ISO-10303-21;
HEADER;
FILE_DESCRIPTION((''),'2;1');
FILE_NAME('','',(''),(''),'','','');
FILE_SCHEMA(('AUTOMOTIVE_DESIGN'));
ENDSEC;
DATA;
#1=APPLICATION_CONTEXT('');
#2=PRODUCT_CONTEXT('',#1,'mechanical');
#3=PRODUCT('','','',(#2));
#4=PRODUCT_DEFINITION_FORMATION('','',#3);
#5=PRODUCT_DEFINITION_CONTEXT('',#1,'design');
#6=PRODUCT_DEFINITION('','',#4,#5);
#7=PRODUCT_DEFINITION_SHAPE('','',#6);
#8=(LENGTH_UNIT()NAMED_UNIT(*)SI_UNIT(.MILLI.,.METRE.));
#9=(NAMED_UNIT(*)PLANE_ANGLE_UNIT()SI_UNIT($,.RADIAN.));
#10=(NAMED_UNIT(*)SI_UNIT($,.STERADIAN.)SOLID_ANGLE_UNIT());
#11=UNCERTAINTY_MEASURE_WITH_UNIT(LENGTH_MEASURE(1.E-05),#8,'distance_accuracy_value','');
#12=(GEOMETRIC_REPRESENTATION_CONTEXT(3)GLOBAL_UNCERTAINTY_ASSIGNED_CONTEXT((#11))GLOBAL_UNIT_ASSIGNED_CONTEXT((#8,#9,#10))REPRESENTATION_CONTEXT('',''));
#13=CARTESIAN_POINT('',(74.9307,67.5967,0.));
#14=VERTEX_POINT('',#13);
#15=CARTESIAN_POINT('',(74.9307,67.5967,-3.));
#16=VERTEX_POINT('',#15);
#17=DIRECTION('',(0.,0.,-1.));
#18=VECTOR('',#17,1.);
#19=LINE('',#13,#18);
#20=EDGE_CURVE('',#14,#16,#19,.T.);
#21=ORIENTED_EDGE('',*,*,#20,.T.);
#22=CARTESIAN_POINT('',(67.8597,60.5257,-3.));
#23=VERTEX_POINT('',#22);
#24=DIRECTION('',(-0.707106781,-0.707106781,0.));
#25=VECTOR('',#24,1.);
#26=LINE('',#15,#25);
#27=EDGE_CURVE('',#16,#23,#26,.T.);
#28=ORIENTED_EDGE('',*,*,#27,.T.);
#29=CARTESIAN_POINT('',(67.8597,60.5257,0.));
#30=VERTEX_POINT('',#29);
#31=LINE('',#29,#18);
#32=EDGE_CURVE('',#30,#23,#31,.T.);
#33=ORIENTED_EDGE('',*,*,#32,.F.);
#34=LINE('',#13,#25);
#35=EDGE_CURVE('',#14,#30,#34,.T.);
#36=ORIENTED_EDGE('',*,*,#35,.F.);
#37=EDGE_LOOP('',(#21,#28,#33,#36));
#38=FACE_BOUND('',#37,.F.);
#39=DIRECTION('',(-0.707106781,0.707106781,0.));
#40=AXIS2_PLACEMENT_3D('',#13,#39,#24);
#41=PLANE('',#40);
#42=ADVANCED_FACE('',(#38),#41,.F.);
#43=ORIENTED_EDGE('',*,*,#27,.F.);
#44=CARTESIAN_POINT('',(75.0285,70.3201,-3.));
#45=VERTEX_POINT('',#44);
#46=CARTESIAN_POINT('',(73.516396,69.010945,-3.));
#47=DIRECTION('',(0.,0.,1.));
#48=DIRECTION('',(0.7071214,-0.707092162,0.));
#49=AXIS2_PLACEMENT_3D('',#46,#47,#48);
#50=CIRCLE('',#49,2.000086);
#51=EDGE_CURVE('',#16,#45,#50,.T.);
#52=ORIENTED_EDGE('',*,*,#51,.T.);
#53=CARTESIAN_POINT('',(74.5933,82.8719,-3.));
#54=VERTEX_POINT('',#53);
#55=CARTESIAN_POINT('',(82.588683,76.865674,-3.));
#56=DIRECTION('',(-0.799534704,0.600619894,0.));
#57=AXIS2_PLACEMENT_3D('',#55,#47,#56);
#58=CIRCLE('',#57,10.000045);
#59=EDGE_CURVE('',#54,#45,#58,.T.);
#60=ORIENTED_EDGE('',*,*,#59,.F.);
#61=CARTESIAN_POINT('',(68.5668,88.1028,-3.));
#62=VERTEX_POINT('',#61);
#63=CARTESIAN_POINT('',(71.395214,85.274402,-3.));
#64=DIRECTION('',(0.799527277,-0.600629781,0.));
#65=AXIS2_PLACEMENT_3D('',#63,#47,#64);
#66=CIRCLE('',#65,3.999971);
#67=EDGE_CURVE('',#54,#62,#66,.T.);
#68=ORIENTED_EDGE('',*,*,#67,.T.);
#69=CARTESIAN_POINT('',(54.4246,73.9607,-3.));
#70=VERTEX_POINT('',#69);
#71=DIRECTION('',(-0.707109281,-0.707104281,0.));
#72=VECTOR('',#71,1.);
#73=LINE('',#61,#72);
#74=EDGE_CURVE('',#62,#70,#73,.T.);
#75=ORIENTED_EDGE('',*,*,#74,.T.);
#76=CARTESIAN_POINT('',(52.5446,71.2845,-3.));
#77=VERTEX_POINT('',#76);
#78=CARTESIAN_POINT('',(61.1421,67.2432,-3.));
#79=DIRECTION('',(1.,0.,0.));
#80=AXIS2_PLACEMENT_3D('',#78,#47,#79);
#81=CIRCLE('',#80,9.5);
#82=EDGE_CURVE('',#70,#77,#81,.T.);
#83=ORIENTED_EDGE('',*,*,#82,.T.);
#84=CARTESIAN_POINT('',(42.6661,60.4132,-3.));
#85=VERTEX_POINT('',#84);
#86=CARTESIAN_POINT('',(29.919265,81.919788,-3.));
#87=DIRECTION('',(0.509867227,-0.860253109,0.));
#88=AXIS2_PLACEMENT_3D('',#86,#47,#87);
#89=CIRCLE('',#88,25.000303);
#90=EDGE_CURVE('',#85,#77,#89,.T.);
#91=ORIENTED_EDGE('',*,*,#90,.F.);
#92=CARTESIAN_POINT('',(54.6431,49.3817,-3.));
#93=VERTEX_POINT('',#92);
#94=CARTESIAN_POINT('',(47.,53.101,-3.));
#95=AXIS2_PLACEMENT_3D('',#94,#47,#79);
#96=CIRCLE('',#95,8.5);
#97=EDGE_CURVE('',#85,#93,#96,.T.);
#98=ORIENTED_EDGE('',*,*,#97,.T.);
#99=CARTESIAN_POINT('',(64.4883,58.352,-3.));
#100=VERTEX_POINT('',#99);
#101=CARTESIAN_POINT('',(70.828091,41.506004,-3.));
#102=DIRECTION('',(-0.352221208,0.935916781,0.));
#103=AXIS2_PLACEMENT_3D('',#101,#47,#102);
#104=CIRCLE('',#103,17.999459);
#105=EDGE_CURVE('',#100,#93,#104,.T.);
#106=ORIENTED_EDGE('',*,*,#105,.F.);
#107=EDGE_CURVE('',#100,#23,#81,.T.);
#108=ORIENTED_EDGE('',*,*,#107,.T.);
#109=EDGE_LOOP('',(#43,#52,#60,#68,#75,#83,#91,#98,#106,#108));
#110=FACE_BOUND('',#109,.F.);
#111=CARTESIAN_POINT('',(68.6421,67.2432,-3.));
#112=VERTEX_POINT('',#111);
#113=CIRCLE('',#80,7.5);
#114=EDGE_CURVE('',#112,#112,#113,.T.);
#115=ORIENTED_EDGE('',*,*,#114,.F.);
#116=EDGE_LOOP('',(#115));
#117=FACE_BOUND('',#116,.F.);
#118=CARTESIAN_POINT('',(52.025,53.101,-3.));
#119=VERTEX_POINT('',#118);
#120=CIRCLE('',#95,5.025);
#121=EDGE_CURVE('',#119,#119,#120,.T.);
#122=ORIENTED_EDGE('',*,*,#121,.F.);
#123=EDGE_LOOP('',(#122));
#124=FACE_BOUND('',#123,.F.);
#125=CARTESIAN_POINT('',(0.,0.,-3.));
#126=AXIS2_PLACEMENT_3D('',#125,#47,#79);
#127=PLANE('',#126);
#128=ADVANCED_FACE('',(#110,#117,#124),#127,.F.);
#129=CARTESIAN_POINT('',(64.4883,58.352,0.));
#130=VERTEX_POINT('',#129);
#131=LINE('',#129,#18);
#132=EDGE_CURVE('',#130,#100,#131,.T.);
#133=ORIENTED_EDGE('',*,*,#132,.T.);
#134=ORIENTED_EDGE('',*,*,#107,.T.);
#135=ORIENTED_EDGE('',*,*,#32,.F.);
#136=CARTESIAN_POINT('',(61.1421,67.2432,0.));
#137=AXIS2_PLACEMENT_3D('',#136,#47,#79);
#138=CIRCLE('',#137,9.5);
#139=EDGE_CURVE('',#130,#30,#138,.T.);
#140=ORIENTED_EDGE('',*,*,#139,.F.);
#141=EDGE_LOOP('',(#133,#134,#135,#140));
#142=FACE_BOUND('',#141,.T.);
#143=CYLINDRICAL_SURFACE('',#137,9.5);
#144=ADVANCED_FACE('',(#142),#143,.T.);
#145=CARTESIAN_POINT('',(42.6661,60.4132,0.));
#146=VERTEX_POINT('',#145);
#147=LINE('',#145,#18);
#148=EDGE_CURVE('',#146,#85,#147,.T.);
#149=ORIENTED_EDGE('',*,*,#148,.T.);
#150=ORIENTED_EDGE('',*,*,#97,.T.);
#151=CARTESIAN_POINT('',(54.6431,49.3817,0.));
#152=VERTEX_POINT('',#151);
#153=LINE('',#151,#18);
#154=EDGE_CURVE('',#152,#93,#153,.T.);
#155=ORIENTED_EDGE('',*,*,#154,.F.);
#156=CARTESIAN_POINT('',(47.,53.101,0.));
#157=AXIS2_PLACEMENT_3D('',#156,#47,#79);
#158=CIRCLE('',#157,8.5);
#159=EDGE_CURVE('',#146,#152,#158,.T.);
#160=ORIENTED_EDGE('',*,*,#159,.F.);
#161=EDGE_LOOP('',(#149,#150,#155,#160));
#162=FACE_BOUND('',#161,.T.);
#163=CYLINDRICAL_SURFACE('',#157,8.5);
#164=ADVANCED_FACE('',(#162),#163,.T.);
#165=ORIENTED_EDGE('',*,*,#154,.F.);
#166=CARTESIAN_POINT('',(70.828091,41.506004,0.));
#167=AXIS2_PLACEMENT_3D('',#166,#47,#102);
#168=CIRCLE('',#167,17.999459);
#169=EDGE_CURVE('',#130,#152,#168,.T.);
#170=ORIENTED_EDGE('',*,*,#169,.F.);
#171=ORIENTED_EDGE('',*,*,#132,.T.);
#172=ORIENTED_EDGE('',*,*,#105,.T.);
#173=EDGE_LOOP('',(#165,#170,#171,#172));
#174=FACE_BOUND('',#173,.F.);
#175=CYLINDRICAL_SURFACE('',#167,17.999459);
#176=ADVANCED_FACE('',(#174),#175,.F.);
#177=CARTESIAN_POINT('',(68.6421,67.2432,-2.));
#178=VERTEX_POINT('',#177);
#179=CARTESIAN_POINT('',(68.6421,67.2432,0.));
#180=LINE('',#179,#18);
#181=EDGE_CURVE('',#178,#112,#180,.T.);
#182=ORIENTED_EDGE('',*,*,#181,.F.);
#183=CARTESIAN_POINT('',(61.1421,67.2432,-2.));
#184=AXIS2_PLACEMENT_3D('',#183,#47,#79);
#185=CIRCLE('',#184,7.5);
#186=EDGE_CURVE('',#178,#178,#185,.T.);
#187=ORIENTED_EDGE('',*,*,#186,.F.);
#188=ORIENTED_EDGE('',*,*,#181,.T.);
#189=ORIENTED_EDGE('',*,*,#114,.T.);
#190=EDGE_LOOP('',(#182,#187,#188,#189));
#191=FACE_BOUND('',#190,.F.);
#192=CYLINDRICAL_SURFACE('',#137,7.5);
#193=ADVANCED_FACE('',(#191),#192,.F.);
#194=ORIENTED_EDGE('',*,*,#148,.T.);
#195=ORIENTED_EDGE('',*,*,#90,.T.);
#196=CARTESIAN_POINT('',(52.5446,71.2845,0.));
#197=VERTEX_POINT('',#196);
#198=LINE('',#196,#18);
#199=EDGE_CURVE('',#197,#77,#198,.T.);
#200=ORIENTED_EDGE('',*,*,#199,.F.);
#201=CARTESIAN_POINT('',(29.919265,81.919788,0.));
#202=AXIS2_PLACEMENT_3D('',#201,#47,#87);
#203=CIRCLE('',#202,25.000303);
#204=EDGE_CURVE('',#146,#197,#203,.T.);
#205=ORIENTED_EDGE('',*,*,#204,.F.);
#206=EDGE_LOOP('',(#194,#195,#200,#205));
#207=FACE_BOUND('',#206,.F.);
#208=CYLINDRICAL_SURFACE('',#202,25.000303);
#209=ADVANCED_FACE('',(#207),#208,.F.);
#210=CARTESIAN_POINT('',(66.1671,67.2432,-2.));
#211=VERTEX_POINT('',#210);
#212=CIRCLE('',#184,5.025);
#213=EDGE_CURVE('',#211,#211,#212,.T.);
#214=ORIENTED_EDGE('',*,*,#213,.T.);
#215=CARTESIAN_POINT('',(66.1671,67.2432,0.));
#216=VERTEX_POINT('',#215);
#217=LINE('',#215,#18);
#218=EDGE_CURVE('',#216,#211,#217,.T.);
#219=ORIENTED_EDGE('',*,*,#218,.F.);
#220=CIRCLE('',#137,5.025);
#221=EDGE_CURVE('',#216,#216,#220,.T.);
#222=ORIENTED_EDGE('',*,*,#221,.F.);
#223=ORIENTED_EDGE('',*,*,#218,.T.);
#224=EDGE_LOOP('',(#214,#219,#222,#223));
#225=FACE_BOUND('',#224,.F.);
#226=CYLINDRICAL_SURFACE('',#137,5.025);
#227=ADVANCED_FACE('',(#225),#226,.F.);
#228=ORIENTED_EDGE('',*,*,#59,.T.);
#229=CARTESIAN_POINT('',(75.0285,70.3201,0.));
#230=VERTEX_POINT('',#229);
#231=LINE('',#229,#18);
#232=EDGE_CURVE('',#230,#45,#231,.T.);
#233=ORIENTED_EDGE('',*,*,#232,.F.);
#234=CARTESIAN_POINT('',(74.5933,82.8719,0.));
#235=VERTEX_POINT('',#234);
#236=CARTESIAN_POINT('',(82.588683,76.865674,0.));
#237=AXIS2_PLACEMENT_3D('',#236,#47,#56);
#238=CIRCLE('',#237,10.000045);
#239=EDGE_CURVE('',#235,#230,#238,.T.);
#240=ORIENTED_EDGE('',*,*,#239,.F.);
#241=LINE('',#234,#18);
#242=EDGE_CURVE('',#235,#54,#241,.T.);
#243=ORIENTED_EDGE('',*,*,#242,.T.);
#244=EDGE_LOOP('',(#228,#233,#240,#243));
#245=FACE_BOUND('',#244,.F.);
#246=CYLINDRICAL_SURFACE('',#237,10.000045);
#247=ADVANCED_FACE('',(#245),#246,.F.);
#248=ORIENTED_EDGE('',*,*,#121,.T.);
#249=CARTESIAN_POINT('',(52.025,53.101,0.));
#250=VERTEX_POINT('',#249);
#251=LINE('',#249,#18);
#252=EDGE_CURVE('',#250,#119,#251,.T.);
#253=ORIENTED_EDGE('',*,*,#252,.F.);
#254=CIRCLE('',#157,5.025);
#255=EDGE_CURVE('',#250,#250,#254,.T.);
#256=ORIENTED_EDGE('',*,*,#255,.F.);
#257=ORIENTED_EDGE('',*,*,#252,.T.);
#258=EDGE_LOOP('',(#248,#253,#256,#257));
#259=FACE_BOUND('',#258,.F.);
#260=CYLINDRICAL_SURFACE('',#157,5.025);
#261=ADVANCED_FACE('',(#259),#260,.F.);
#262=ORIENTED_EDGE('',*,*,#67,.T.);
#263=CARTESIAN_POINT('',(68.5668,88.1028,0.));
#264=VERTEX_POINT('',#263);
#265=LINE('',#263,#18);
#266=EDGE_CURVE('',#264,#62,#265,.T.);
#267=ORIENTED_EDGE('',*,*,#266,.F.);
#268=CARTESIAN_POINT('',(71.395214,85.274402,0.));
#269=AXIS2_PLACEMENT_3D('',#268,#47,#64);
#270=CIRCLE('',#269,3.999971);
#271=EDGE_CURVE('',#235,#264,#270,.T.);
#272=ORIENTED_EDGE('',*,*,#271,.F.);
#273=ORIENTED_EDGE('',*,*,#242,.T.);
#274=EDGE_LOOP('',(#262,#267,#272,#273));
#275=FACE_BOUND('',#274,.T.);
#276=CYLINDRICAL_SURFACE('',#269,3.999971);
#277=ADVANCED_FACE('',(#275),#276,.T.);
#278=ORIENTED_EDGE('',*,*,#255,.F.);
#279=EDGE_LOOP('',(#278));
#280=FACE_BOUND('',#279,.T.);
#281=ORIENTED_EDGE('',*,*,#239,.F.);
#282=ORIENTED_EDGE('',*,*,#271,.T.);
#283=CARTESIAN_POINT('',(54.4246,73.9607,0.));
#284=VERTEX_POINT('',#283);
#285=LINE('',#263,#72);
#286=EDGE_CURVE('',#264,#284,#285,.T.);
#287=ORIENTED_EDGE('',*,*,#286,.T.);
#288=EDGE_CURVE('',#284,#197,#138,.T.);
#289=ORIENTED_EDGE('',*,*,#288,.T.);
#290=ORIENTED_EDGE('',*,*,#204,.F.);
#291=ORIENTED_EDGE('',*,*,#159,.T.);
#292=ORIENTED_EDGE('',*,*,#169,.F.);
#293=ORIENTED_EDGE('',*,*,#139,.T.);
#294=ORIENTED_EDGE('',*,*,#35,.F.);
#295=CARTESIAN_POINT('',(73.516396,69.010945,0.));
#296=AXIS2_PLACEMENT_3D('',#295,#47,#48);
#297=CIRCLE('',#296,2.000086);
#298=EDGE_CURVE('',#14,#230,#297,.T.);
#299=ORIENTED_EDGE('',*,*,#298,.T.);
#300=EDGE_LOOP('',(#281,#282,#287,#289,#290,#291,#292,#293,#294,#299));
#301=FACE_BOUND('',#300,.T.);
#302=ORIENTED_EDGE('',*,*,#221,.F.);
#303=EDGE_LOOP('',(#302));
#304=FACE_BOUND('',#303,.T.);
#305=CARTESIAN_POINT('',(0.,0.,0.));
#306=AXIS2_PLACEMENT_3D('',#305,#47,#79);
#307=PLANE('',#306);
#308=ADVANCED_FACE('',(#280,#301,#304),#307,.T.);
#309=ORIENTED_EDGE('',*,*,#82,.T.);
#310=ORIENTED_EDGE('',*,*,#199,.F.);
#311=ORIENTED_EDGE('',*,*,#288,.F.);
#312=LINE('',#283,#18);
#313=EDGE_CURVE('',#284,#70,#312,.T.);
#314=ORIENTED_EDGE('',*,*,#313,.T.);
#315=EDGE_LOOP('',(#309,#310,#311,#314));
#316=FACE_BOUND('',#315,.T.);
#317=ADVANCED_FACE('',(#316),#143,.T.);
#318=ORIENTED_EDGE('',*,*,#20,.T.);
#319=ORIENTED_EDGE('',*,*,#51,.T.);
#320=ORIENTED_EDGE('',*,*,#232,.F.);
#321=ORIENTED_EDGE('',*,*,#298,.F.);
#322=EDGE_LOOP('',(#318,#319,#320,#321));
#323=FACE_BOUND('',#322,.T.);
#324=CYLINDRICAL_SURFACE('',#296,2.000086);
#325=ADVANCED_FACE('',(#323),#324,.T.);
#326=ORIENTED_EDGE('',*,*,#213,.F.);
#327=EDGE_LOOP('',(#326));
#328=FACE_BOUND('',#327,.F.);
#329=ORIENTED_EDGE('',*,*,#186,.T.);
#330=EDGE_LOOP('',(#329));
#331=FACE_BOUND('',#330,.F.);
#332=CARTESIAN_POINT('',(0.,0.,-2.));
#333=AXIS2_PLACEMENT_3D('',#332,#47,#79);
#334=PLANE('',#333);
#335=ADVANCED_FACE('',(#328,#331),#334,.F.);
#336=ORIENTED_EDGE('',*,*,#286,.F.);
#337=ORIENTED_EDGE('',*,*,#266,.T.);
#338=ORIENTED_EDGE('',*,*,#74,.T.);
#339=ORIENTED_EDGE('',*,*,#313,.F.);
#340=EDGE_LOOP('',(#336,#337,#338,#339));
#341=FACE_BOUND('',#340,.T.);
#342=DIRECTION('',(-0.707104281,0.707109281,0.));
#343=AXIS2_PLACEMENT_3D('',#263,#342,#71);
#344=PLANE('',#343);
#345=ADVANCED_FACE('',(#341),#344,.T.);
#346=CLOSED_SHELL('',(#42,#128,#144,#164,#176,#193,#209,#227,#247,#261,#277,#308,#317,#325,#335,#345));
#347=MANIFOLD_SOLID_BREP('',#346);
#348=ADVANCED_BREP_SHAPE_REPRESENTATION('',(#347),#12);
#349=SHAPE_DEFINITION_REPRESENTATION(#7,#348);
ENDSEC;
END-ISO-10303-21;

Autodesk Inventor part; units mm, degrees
ref_plane "YZ Plane" through (0, 0, 0) normal (1, 0, 0) x (0, 1, 0)
ref_plane "XZ Plane" through (0, 0, 0) normal (0, 1, 0) x (-1, 0, 0)
ref_plane "XY Plane" through (0, 0, 0) normal (0, 0, 1) x (1, 0, 0)
sketch "Sketch1" plane through (0, 0, 0) normal (0, 0, 1) x (1, 0, 0)
  circle A0 centre (47, 53.101) radius 5.025
  line L0 (47, 53.101) -> (61.1421, 67.2432) construction
  circle A1 centre (61.1421, 67.2432) radius 5.025
  circle A2 centre (61.1421, 67.2432) radius 9.5
  circle A3 centre (47, 53.101) radius 8.5
  line L1 (68.5668, 88.1028) -> (54.4246, 73.9607)
  arc A4 (74.5933, 82.8719) -> (68.5668, 88.1028) centre (71.3952, 85.2744) ccw
  arc A5 (74.5933, 82.8719) -> (75.0285, 70.3201) centre (82.5886, 76.8657) ccw
  arc A6 (74.9307, 67.5967) -> (75.0285, 70.3201) centre (73.5165, 69.0109) ccw
  line L2 (74.9307, 67.5967) -> (67.8597, 60.5257)
  circle A7 centre (47, 53.101) radius 7.5
  circle A8 centre (61.1421, 67.2432) radius 7.5
  arc A9 (42.6661, 60.4132) -> (52.5446, 71.2845) centre (29.9195, 81.9195) ccw
  arc A10 (64.4883, 58.352) -> (54.6431, 49.3817) centre (70.8284, 41.5055) ccw
  line L3 (124.9643, 38.1784) -> (101.7414, 38.1784) construction
  point P0 (0, 0)
  dimension "d33" = 10.05
  dimension "d34" = 20
  dimension "d35" = 10.05
  dimension "d36" = 19
  dimension "d37" = 17
  dimension "d38" = 4
  dimension "d39" = 2
  dimension "d40" = 10
  dimension "d41" = 20
  dimension "d42" = 10
  dimension "d43" = 15
  dimension "d44" = 15
  dimension "d45" = 25
  dimension "d46" = 18
  dimension "d47" = 45
extrude "Extrusion1" add sketch "Sketch1" against normal blind 3 contours A2 | A2 L1 A4 A5 A6 L2 | A2 A10 A3 A9 | A3 | A7
extrude "Extrusion2" add sketch "Sketch1" against normal blind 2 contours A8
properties part number "dsa" material "Aluminum 7075"
